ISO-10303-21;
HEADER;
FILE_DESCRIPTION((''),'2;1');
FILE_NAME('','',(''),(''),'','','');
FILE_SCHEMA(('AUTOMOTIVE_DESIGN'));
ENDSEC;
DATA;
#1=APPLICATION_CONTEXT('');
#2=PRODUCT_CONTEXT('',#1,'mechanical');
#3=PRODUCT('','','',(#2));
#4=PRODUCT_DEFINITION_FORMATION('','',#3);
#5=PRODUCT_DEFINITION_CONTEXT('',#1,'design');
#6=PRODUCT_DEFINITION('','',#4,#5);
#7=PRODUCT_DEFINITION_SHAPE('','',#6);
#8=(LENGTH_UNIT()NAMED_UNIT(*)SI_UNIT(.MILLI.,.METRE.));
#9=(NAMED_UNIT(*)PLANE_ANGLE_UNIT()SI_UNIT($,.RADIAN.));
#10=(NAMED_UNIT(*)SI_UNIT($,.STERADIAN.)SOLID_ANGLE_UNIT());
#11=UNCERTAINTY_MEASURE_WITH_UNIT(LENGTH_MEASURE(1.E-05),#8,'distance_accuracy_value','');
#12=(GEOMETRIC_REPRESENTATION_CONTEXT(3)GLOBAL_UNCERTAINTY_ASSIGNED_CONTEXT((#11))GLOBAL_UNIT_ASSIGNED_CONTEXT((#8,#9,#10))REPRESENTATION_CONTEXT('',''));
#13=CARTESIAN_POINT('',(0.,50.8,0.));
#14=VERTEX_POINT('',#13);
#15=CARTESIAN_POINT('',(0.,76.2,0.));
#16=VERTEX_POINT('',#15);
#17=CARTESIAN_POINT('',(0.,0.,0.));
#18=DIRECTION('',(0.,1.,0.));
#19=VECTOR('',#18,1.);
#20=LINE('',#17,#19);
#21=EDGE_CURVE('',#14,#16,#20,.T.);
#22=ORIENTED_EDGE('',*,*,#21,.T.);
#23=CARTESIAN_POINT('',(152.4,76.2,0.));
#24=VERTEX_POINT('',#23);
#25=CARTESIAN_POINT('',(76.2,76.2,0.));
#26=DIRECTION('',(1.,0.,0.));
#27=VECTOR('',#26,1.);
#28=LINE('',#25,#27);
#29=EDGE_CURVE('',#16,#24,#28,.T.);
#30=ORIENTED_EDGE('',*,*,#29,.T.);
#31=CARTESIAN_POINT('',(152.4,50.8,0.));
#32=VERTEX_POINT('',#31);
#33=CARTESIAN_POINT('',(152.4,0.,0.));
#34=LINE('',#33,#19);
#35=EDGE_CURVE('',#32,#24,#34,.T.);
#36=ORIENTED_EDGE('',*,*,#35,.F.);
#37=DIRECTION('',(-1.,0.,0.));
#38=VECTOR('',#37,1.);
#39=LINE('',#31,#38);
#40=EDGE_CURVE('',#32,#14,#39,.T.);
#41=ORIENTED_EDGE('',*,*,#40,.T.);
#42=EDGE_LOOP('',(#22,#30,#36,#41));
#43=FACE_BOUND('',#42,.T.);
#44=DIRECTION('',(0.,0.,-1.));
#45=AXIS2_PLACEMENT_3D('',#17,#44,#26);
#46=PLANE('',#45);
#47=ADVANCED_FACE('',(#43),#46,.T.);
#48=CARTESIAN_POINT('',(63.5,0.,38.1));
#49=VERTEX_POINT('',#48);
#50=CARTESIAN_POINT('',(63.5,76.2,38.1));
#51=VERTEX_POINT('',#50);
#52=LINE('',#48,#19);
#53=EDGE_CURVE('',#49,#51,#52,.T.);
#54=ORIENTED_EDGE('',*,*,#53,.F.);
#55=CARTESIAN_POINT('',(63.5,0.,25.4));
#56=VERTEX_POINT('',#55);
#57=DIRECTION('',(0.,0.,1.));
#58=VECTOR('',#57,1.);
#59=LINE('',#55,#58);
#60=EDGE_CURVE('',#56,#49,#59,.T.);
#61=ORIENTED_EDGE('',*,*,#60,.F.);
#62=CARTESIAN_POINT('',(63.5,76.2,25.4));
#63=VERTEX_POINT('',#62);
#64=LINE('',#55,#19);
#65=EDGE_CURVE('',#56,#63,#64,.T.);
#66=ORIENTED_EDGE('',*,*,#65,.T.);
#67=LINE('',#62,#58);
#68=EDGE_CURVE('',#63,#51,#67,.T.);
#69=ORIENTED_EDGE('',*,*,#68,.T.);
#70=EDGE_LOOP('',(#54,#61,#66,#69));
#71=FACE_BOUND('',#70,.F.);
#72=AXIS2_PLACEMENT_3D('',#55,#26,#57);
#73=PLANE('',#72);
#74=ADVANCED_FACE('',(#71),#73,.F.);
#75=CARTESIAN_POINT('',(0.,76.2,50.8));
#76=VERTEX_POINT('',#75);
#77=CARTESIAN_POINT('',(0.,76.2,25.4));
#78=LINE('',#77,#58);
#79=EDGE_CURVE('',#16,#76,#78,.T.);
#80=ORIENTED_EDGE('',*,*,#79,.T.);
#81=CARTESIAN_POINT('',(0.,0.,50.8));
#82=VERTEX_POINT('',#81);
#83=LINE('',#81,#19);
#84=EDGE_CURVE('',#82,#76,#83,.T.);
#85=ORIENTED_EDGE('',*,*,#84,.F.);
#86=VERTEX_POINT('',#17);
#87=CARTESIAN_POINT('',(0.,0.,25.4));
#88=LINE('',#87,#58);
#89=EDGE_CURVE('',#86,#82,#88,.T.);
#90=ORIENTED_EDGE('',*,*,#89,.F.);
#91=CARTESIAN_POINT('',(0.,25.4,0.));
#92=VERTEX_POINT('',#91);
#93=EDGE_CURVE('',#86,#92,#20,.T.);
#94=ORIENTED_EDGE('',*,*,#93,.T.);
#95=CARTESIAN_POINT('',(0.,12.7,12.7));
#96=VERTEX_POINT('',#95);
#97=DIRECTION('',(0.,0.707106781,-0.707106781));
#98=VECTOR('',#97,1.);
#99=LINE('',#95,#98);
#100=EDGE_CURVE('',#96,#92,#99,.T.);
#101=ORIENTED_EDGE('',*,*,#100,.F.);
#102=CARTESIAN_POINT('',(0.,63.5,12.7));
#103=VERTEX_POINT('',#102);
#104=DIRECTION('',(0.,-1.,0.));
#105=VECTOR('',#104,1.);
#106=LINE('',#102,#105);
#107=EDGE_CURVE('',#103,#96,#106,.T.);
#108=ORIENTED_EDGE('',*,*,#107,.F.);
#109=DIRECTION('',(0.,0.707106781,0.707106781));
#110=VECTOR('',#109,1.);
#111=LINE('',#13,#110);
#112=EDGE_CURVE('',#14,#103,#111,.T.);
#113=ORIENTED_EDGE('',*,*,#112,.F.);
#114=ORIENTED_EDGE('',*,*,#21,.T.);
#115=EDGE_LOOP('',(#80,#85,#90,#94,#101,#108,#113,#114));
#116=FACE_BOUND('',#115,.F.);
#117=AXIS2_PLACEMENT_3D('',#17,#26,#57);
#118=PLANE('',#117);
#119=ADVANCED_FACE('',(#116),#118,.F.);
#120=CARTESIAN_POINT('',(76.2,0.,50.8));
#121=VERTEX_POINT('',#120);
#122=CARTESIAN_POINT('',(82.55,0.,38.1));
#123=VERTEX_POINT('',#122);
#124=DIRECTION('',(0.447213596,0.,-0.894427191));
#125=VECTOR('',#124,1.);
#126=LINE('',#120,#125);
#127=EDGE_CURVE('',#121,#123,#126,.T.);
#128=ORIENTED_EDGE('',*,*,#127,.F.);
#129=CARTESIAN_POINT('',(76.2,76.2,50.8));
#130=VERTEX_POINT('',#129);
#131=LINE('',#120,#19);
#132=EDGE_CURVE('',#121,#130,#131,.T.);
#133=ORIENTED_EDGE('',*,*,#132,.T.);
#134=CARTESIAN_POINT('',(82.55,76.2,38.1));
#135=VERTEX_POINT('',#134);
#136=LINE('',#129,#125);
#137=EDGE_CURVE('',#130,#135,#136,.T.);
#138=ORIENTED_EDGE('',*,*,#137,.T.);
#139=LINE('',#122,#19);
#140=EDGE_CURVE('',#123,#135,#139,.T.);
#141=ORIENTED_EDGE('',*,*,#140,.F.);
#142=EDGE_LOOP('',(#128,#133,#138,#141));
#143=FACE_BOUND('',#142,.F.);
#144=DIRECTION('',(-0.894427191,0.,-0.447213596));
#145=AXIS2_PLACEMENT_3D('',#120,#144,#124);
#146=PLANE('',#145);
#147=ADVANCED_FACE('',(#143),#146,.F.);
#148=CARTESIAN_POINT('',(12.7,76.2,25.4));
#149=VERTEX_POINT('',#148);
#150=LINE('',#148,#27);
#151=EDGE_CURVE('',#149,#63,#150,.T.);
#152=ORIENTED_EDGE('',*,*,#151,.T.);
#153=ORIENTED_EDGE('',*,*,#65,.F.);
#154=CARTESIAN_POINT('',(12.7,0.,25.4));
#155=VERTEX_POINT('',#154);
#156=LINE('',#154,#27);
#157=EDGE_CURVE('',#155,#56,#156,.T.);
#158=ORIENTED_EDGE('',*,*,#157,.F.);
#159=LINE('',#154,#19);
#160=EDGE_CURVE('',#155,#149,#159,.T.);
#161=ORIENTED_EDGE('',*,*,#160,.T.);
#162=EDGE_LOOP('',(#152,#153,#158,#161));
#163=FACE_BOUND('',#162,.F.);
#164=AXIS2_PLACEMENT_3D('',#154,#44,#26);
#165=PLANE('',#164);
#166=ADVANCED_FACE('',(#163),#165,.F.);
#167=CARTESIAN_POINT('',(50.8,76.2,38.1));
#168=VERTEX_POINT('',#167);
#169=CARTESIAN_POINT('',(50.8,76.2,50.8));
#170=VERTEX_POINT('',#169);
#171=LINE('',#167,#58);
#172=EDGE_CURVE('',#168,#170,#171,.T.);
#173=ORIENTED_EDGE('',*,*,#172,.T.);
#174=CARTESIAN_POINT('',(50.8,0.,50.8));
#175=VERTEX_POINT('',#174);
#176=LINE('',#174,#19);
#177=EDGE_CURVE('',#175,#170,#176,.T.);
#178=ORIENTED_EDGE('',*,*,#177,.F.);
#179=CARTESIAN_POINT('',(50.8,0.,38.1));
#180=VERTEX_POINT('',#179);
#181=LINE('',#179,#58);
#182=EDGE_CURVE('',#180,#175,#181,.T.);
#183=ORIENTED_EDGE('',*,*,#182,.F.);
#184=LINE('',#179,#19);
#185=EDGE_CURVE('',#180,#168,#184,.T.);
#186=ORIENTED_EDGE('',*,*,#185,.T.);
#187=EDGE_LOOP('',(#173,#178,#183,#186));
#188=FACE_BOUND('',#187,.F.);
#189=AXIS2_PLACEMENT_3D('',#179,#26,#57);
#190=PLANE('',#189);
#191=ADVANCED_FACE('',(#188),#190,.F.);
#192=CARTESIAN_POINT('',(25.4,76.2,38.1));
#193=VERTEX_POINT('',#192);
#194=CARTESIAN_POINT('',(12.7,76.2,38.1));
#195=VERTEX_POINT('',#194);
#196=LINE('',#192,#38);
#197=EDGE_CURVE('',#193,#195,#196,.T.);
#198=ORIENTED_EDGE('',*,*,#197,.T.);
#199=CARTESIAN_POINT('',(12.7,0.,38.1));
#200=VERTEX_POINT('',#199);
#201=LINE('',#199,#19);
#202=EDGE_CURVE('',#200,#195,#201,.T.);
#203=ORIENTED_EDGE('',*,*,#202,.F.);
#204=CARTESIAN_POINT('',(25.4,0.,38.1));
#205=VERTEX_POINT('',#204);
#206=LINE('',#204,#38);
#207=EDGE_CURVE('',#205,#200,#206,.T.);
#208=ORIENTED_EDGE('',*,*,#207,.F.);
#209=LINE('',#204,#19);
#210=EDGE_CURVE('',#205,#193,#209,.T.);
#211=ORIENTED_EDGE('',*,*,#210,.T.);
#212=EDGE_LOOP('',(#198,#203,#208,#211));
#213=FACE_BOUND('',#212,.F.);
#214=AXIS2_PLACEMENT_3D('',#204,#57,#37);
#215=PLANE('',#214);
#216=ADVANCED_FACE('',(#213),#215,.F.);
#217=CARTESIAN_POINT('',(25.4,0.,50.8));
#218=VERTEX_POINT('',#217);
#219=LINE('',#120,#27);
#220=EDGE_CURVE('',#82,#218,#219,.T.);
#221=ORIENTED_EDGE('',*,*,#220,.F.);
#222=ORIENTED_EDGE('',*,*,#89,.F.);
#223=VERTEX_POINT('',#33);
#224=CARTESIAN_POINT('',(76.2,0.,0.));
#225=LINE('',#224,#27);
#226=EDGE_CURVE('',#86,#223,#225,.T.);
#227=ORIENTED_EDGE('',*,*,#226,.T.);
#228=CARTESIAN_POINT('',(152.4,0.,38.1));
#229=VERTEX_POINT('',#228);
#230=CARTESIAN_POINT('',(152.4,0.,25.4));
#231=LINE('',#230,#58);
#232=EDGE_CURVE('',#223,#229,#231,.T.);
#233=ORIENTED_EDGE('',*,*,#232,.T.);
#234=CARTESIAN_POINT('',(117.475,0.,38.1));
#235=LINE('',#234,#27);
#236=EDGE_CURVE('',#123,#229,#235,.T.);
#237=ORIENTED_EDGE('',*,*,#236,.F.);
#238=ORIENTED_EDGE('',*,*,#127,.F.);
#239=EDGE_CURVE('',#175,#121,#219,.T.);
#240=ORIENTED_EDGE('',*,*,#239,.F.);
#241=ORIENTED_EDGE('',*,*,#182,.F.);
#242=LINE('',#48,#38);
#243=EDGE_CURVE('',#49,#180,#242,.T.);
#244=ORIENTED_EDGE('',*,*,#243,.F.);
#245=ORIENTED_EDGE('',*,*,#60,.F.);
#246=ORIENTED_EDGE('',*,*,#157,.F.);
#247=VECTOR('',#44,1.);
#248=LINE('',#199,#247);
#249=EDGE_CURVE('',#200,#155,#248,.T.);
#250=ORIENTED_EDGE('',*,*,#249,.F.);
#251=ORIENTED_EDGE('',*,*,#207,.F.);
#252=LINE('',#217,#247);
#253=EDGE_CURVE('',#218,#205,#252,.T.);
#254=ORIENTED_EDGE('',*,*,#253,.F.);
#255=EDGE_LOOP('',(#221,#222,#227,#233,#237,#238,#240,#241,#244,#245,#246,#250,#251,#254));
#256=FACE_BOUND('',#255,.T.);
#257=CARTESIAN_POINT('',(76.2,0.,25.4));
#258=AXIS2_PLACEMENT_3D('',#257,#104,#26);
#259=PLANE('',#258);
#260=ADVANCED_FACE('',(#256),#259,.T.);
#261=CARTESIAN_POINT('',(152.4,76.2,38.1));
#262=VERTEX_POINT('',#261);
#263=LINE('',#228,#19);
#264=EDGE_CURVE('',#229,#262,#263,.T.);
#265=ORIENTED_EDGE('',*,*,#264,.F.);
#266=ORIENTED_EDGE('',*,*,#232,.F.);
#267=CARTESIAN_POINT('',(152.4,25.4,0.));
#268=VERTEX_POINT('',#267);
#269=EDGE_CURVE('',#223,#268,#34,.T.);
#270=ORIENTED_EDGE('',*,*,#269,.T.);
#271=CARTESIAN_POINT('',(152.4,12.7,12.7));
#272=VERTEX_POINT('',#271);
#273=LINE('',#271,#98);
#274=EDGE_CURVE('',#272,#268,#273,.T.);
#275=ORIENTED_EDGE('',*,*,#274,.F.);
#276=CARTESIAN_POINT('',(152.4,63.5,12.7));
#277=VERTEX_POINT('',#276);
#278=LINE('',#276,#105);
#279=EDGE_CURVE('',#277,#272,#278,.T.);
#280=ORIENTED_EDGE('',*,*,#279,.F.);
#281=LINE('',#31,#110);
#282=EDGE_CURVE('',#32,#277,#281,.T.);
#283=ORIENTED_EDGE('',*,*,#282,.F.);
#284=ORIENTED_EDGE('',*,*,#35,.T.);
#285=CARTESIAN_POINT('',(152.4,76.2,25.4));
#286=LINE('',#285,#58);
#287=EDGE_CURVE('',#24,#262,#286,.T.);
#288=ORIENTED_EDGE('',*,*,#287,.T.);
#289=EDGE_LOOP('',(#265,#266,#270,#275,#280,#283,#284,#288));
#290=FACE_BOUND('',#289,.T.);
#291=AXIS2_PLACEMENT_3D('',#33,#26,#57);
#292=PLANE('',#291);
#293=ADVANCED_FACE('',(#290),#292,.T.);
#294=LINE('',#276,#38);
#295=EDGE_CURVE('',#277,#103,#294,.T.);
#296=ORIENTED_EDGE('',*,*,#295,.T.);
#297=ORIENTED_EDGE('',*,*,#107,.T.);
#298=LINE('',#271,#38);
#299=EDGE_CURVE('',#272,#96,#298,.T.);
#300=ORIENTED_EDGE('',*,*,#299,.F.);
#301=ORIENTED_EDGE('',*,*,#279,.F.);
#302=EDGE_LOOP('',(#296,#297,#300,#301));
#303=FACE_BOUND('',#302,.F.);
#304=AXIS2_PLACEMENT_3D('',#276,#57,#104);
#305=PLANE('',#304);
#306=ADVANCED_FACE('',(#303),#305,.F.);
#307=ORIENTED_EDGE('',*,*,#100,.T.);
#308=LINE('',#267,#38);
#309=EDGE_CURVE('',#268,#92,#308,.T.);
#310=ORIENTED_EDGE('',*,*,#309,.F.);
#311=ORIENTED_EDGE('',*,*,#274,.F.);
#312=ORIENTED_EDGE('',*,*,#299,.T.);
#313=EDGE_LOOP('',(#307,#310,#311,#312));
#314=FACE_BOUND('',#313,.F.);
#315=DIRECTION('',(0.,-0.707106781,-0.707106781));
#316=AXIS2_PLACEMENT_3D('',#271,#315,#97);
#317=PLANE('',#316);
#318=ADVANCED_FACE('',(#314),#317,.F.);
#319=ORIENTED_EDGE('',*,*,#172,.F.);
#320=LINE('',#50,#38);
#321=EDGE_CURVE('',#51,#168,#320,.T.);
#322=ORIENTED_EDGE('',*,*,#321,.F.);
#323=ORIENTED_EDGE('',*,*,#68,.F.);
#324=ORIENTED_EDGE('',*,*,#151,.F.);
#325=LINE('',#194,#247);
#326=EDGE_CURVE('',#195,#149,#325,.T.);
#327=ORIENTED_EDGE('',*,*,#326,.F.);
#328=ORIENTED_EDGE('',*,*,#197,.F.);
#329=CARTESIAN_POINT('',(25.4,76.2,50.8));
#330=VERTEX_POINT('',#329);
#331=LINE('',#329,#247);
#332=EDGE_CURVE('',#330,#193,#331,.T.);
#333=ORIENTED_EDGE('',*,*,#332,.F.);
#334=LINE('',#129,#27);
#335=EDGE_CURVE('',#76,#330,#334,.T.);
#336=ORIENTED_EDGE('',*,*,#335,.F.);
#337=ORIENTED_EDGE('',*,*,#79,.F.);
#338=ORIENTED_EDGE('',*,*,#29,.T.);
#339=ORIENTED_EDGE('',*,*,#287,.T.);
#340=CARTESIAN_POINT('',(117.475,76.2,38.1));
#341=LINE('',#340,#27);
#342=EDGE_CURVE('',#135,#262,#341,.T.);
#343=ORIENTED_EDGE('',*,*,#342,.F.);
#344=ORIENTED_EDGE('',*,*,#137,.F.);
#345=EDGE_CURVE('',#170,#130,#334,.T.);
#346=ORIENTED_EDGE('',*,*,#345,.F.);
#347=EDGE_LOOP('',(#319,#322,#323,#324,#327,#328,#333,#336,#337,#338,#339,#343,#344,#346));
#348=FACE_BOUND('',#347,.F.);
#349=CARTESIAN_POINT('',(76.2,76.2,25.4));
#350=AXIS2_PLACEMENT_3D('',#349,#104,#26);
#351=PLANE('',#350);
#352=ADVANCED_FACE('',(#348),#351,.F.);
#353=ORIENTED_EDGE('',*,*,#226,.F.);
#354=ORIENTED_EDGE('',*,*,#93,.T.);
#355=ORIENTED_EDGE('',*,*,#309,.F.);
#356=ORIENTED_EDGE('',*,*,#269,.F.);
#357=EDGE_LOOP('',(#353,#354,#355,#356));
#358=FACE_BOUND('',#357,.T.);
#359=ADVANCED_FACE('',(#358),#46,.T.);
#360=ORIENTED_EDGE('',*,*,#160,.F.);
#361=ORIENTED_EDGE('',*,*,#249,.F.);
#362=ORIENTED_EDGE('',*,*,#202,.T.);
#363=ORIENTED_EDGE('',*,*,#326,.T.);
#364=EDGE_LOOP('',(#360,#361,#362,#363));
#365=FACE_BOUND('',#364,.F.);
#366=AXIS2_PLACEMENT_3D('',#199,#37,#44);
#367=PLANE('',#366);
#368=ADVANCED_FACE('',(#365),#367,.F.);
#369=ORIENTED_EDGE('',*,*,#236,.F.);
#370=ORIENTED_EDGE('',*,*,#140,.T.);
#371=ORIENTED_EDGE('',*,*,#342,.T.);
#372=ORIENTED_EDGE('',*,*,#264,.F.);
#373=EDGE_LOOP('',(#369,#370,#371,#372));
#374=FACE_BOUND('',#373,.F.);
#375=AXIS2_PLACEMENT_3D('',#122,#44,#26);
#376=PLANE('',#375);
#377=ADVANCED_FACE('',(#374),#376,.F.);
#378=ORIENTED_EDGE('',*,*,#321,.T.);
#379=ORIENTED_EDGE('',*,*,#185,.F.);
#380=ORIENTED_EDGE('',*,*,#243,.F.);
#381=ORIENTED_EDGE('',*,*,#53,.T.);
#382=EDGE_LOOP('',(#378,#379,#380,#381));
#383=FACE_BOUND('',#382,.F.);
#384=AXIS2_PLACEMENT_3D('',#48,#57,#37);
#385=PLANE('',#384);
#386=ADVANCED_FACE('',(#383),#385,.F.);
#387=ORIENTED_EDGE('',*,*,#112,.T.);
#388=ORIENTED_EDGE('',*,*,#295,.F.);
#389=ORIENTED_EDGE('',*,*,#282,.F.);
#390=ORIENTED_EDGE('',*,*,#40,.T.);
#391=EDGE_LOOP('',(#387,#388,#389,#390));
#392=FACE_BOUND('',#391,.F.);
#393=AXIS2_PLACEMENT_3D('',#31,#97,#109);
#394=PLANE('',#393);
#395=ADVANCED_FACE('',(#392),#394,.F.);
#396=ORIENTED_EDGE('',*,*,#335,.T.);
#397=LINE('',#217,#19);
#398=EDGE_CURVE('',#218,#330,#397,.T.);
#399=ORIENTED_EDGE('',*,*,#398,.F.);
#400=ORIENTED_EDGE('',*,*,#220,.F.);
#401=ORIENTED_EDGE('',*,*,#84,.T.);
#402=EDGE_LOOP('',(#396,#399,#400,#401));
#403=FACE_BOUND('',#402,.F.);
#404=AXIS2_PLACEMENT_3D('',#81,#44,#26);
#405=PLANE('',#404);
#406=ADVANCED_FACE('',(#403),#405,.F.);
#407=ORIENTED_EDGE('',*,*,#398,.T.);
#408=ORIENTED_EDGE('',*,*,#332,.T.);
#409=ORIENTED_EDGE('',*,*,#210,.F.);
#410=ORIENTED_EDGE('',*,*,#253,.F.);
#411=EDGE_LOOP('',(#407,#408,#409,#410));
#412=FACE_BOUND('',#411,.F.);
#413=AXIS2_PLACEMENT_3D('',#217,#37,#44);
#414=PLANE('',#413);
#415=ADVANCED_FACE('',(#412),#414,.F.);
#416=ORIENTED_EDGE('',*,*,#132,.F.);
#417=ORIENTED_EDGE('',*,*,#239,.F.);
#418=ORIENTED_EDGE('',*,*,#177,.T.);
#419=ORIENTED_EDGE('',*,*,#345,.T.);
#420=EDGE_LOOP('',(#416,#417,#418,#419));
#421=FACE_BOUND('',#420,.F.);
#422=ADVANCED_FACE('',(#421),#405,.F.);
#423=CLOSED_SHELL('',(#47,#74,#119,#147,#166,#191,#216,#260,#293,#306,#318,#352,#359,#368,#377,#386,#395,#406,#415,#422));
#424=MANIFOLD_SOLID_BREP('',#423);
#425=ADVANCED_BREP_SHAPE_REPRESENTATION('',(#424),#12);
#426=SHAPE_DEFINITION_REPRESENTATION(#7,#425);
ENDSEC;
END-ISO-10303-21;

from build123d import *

# Parameters (mm, degrees)
F0_W     = 152.4
F0_H     = 50.8
F1_DEPTH = 76.2
F3_DEPTH = 76.2
F5_W     = 69.85
F5_H     = 12.7
F6_DEPTH = 76.2
F8_DEPTH = 76.2
F9_DEPTH = 152.4


with BuildPart() as f1:
    # F0 (on Front) → F1 (new body)
    with BuildSketch(Plane.XZ):
        with Locations((76.2, 25.4)):
            Rectangle(F0_W, F0_H)
    extrude(amount=-F1_DEPTH)

    # F2 (on face) → F3 (cut)
    with BuildSketch(Plane.XZ):
        Polygon((50.8, 50.8), (25.4, 50.8), (25.4, 38.1), (12.7, 38.1), (12.7, 25.4), (63.5, 25.4), (63.5, 38.1), (50.8, 38.1), align=None)
    extrude(amount=-F3_DEPTH, mode=Mode.SUBTRACT)

    # F5 (on face) → F6 (cut)
    with BuildSketch(Plane.XZ):
        with Locations((117.475, 44.45)):
            Rectangle(F5_W, F5_H)
    extrude(amount=-F6_DEPTH, mode=Mode.SUBTRACT)

    # F7 (on face) → F8 (cut)
    with BuildSketch(Plane.XZ):
        Polygon((76.2, 50.8), (82.55, 38.1), (82.55, 50.8), align=None)
    extrude(amount=-F8_DEPTH, mode=Mode.SUBTRACT)

    # F4 (on face) → F9 (cut)
    with BuildSketch(Plane.YZ.offset(152.4)):
        Polygon((12.7, 12.7), (25.4, 0), (50.8, 0), (63.5, 12.7), align=None)
    extrude(amount=-F9_DEPTH, mode=Mode.SUBTRACT)


solid = f1.part
